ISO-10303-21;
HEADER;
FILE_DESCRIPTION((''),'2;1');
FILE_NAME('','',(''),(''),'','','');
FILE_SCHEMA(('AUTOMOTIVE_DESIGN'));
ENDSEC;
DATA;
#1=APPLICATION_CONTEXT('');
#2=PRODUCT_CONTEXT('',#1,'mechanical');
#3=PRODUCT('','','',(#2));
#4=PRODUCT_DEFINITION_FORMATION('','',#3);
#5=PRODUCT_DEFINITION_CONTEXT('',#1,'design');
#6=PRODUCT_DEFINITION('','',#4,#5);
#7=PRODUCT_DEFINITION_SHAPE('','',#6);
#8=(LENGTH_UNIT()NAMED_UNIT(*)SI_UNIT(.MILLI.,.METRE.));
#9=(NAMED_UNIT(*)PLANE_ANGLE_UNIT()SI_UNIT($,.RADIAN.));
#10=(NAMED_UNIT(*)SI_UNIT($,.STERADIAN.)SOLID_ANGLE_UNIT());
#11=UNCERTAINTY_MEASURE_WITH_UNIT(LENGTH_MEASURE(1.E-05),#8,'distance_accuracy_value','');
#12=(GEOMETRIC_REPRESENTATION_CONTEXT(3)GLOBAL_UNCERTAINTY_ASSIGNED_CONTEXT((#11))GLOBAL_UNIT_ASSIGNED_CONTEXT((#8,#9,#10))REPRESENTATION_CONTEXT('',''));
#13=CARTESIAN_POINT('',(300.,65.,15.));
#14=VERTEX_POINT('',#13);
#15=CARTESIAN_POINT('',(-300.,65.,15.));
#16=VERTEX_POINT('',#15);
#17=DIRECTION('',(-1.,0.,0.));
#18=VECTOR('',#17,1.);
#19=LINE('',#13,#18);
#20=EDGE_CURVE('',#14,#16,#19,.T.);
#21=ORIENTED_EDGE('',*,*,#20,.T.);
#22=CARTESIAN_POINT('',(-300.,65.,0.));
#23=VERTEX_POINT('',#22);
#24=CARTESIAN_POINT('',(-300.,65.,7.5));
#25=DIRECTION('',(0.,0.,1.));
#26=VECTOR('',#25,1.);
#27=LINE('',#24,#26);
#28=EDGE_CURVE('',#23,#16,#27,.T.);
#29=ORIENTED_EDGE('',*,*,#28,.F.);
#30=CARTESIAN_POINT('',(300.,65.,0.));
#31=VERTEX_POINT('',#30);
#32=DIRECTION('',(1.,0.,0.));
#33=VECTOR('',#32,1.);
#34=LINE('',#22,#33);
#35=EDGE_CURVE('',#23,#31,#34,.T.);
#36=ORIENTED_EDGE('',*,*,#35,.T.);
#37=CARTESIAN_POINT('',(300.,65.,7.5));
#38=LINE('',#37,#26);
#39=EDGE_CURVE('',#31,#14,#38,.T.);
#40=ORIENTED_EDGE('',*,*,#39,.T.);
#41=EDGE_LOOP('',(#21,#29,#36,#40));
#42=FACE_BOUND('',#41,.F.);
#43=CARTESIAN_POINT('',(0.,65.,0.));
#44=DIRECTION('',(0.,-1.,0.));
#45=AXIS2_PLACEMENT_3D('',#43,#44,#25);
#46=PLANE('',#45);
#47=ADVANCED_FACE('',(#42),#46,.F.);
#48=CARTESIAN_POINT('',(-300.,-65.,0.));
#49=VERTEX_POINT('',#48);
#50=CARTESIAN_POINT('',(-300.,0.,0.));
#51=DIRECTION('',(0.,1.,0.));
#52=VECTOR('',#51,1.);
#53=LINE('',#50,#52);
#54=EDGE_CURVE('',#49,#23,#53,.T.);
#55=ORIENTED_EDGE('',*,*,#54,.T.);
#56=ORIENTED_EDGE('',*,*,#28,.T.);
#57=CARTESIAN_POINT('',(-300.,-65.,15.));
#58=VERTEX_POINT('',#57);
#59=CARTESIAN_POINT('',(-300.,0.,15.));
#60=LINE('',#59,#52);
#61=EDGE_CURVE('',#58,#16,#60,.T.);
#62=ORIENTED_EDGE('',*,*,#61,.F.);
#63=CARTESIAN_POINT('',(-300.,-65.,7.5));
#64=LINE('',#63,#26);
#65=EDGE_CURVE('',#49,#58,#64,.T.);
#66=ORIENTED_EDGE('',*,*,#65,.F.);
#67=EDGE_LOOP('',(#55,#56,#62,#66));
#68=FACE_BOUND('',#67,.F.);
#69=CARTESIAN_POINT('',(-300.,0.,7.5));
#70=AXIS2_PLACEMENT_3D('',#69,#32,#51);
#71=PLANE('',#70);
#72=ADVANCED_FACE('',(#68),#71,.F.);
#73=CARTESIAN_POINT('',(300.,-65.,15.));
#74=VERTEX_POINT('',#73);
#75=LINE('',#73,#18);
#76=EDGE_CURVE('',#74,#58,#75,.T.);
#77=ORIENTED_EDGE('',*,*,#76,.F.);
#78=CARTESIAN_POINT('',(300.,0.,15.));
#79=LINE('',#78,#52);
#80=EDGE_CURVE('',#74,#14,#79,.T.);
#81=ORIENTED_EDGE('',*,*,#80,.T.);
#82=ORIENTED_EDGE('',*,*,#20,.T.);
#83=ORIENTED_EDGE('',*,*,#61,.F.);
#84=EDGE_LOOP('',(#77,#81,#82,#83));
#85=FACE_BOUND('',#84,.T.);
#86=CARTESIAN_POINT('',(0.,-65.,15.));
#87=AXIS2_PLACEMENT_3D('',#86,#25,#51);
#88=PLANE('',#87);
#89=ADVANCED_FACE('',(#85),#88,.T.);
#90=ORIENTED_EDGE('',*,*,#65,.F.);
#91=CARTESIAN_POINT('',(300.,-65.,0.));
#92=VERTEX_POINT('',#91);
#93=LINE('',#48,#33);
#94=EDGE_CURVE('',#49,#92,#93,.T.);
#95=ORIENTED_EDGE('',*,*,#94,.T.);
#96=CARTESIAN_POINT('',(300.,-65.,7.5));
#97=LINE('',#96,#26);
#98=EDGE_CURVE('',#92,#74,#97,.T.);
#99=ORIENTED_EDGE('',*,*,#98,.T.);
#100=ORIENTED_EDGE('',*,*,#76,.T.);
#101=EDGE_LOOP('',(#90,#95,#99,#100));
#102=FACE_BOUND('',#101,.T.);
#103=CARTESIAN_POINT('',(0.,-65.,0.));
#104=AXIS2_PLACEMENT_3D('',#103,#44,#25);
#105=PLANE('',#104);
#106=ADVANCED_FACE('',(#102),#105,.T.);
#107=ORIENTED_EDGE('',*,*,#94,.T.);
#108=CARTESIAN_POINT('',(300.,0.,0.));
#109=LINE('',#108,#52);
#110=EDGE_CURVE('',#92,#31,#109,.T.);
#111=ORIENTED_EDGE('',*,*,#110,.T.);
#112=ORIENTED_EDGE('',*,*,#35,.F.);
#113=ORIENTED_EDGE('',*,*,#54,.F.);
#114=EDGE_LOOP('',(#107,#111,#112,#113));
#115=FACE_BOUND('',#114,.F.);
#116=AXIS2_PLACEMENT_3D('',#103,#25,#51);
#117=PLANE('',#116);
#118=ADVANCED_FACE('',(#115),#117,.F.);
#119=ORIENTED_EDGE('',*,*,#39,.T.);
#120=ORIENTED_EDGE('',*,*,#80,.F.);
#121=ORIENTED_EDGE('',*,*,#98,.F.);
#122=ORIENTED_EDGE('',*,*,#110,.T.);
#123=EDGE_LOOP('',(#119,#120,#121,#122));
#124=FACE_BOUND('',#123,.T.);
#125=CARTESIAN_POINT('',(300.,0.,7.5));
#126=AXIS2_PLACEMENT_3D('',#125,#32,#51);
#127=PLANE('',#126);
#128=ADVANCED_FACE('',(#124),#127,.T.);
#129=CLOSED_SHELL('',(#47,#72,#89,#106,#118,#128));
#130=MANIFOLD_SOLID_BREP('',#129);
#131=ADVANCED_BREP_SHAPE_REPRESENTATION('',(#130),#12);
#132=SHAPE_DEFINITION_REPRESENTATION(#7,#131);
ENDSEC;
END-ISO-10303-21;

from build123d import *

# Parameters (mm, degrees)
F0_W          = 130
F0_H          = 15
F1_DEPTH      = 300
F1_DEPTH_BACK = 300


with BuildPart() as f1:
    # F0 (on Right) → F1 (new body, two sides)
    with BuildSketch(Plane.YZ) as f1_sk:
        with Locations((0, 7.5)):
            Rectangle(F0_W, F0_H)
    extrude(amount=-F1_DEPTH)
    extrude(f1_sk.sketch, amount=F1_DEPTH_BACK)


solid = f1.part
